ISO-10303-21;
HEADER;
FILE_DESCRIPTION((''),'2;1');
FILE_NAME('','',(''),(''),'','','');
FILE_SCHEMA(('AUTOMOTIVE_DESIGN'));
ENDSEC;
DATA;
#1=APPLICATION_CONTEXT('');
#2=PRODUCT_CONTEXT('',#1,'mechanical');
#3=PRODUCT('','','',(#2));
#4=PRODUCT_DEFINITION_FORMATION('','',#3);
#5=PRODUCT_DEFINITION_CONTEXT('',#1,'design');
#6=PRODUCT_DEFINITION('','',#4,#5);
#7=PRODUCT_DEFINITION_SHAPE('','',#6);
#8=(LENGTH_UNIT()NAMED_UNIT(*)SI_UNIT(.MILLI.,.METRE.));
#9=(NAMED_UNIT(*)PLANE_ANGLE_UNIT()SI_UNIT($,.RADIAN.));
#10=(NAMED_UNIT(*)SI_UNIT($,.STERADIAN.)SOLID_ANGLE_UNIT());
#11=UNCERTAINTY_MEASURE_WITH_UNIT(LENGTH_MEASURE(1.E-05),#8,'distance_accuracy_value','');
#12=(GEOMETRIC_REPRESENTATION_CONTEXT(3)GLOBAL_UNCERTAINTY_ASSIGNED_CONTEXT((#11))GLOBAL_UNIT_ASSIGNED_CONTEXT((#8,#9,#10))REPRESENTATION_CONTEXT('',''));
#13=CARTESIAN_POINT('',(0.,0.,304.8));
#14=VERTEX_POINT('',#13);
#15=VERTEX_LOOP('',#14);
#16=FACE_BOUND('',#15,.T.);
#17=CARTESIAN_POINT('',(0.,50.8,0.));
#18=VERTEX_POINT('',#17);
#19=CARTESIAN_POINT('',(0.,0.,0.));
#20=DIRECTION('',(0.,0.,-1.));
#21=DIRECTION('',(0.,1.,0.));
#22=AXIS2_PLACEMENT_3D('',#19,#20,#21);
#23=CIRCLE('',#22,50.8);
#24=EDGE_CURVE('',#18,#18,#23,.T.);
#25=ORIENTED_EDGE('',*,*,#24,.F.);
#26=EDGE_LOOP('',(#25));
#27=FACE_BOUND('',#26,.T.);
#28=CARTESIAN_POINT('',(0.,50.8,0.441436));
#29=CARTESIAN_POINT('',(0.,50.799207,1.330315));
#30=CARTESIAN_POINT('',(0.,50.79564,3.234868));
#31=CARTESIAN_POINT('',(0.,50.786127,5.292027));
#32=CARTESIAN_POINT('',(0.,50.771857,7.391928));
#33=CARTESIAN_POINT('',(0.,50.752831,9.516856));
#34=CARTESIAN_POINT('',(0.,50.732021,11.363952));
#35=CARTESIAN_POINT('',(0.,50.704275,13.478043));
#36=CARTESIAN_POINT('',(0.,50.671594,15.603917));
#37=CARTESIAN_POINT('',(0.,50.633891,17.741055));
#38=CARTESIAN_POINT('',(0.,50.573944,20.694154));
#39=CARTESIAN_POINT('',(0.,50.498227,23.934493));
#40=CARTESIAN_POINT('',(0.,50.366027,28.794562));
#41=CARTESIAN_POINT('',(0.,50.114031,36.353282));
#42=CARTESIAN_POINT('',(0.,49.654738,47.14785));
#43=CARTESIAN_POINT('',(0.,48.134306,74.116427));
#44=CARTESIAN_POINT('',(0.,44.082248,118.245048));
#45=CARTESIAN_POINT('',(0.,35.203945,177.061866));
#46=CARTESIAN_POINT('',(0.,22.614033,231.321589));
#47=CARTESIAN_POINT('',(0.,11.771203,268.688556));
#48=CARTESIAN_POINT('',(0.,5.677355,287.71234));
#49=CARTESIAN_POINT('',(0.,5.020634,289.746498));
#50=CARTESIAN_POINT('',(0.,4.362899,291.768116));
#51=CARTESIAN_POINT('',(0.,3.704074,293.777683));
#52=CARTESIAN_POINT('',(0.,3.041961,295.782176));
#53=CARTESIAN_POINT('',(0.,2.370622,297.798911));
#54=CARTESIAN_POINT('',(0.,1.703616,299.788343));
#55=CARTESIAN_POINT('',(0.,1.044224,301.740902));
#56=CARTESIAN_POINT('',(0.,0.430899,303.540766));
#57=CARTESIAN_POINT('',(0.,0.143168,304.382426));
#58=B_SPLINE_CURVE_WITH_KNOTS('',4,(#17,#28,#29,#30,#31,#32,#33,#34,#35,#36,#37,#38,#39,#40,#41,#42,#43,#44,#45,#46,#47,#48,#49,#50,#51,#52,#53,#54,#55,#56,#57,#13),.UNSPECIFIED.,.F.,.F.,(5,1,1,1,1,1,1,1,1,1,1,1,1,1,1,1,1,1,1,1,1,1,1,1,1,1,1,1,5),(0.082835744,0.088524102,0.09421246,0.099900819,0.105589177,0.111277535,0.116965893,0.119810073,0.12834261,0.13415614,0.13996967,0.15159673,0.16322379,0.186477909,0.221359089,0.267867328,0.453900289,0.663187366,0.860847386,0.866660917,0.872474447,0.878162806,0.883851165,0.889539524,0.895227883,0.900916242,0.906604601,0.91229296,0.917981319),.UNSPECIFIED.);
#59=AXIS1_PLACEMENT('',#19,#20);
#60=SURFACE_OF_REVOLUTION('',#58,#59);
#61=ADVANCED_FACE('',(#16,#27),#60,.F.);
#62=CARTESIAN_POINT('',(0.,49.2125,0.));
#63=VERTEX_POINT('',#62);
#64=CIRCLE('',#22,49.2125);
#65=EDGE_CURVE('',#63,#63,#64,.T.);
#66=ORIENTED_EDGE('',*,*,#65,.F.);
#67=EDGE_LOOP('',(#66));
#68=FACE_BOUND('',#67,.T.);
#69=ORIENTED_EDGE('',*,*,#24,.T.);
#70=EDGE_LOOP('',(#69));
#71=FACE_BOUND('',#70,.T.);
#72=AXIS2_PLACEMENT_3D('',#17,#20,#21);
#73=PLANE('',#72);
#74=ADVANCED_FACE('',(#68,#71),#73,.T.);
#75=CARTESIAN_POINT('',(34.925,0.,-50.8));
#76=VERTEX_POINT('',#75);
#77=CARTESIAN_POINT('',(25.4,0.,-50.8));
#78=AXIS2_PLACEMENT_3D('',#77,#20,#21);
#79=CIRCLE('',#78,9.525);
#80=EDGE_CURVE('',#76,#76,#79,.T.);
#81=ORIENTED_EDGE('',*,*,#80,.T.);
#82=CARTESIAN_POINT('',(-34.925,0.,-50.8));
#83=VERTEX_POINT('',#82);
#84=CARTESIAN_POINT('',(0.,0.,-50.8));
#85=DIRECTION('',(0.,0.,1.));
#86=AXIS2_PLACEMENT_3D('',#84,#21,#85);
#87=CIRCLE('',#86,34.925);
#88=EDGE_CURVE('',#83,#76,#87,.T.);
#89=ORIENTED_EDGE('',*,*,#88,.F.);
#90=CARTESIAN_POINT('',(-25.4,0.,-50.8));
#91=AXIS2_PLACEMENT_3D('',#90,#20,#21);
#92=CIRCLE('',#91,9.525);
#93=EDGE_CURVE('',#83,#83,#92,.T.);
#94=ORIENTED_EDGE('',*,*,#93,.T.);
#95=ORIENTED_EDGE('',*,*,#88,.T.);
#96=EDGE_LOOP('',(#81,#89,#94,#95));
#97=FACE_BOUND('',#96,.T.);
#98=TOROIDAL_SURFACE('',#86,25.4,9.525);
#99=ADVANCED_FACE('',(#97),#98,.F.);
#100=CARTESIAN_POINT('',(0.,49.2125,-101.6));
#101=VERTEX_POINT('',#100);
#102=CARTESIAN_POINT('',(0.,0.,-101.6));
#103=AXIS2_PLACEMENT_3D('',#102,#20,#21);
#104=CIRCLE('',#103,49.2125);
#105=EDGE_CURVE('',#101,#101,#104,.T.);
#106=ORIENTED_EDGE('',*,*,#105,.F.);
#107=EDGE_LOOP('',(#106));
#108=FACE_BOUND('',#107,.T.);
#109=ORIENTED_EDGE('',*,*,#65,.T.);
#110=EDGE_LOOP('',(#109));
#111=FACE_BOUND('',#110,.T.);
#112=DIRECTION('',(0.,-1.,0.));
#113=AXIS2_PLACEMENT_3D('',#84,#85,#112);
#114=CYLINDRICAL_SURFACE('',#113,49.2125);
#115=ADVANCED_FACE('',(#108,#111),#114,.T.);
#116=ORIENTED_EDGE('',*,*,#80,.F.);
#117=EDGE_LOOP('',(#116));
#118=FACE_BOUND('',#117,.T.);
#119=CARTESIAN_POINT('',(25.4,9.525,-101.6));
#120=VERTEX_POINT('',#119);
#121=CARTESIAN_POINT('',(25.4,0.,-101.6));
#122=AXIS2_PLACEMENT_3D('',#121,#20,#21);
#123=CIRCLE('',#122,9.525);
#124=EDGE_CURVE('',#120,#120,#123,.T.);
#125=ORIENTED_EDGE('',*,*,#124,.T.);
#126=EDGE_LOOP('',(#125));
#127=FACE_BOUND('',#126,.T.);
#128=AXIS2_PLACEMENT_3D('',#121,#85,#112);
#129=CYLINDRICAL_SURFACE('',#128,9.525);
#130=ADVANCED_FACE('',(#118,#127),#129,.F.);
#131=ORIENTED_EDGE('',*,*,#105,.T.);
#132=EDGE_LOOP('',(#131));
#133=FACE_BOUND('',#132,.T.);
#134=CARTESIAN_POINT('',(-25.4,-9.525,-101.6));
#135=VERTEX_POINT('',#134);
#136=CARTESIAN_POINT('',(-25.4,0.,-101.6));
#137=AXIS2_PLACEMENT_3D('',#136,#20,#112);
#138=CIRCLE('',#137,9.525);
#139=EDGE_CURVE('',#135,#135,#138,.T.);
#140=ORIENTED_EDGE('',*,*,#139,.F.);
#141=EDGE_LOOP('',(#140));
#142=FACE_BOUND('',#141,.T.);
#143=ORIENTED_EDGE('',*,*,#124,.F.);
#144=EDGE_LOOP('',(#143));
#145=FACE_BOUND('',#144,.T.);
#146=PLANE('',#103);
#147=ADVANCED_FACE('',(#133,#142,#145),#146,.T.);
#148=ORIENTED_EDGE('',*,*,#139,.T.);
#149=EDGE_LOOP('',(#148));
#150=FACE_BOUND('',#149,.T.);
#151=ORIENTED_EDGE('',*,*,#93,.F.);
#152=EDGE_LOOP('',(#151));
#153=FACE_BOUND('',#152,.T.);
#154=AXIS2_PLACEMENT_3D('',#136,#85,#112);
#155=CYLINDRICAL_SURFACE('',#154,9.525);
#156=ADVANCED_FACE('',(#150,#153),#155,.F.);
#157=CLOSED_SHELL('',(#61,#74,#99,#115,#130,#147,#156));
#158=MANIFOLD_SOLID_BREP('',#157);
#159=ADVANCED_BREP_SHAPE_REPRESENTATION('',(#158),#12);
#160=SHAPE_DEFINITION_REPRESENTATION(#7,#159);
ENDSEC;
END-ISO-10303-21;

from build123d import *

# Parameters (mm, degrees)
SKETCH2_R           = 49.2125
BOSS_EXTRUDE1_DEPTH = 50.8
SKETCH3_R           = 9.525
SKETCH4_R           = 49.2125
SKETCH4_R_2         = 9.525
BOSS_EXTRUDE2_DEPTH = 50.8


with BuildPart() as part:
    # Sketch1 → Revolve1 (revolve)
    with BuildSketch(Plane(origin=(0, 0, 0), x_dir=(0, 0, -1), z_dir=(1, 0, 0))):
        with BuildLine():
            Line((0, 0), (-304.8, 0))
            add(Edge.make_bspline(
                [(-304.8, 0), (-304.382425601, 0.143168366), (-303.540765888, 0.430899345), (-301.740901659, 1.044224359), (-299.788343499, 1.703616117), (-297.798910734, 2.370622283), (-295.782175929, 3.041960911), (-293.777683441, 3.704074038), (-291.768115862, 4.362899187), (-289.746498304, 5.020634276), (-287.712339913, 5.677355174), (-268.688556224, 11.771202945), (-231.321588698, 22.614032917), (-177.061866436, 35.203944952), (-118.24504839, 44.082248155), (-74.116427434, 48.134305599), (-47.14784979, 49.654737541), (-36.353282187, 50.114030962), (-28.794561554, 50.366026549), (-23.934493272, 50.49822726), (-20.694154368, 50.573944325), (-17.741054824, 50.63389122), (-15.603916609, 50.671594447), (-13.478042738, 50.704275318), (-11.363951605, 50.732021274), (-9.516855824, 50.752830907), (-7.391927552, 50.771857001), (-5.292027124, 50.786126656), (-3.234867855, 50.7956398), (-1.330315082, 50.799207238), (-0.441435733, 50.800000002), (0, 50.800000002)],
                knots=[0.082835744, 0.082835744, 0.082835744, 0.082835744, 0.082835744, 0.088524103, 0.094212462, 0.099900821, 0.10558918, 0.111277539, 0.116965898, 0.122654257, 0.128342616, 0.134156146, 0.139969677, 0.337629697, 0.546916774, 0.732949735, 0.779457974, 0.814339154, 0.837593273, 0.849220333, 0.860847393, 0.866660923, 0.872474453, 0.88100699, 0.88385117, 0.889539528, 0.895227886, 0.900916244, 0.906604603, 0.912292961, 0.917981319, 0.917981319, 0.917981319, 0.917981319, 0.917981319], degree=4))
            Line((0, 50.800000002), (0, 0))
        make_face()
    revolve(axis=Axis((0, 0, 0), (0, 0, 1)))

    # Sketch2 → Boss-Extrude1 (add)
    with BuildSketch(Plane(origin=(0, 0, 0), x_dir=(-1, 0, 0), z_dir=(0, 0, -1))):
        with Locations(Location((0, 0, 0), (0, 0, 90))):
            Circle(SKETCH2_R)
    extrude(amount=BOSS_EXTRUDE1_DEPTH)

    # Sketch3 → Cut-Revolve3 (revolve, cut)
    with BuildSketch(Plane(origin=(0, 0, -50.8), x_dir=(-1, 0, 0), z_dir=(0, 0, -1)), mode=Mode.PRIVATE) as cut_revolve3_sk:
        with Locations((-25.4, 0)):
            Circle(SKETCH3_R)
    revolve(cut_revolve3_sk.sketch.rotate(Axis((0, 0, -50.8), (0, 1, 0)), 270), axis=Axis((0, 0, -50.8), (0, 1, 0)), mode=Mode.SUBTRACT)

    # Sketch4 → Boss-Extrude2 (add)
    with BuildSketch(Plane(origin=(0, 0, -50.8), x_dir=(-1, 0, 0), z_dir=(0, 0, -1))):
        with Locations(Location((0, 0, 0), (0, 0, 90))):
            Circle(SKETCH4_R)
        with Locations(Location((-25.4, 0, 0), (0, 0, 180))):
            Circle(SKETCH4_R_2, mode=Mode.SUBTRACT)
        with Locations(Location((25.4, 0, 0), (0, 0, 270))):
            Circle(SKETCH4_R_2, mode=Mode.SUBTRACT)
    extrude(amount=BOSS_EXTRUDE2_DEPTH)


solid = part.part
